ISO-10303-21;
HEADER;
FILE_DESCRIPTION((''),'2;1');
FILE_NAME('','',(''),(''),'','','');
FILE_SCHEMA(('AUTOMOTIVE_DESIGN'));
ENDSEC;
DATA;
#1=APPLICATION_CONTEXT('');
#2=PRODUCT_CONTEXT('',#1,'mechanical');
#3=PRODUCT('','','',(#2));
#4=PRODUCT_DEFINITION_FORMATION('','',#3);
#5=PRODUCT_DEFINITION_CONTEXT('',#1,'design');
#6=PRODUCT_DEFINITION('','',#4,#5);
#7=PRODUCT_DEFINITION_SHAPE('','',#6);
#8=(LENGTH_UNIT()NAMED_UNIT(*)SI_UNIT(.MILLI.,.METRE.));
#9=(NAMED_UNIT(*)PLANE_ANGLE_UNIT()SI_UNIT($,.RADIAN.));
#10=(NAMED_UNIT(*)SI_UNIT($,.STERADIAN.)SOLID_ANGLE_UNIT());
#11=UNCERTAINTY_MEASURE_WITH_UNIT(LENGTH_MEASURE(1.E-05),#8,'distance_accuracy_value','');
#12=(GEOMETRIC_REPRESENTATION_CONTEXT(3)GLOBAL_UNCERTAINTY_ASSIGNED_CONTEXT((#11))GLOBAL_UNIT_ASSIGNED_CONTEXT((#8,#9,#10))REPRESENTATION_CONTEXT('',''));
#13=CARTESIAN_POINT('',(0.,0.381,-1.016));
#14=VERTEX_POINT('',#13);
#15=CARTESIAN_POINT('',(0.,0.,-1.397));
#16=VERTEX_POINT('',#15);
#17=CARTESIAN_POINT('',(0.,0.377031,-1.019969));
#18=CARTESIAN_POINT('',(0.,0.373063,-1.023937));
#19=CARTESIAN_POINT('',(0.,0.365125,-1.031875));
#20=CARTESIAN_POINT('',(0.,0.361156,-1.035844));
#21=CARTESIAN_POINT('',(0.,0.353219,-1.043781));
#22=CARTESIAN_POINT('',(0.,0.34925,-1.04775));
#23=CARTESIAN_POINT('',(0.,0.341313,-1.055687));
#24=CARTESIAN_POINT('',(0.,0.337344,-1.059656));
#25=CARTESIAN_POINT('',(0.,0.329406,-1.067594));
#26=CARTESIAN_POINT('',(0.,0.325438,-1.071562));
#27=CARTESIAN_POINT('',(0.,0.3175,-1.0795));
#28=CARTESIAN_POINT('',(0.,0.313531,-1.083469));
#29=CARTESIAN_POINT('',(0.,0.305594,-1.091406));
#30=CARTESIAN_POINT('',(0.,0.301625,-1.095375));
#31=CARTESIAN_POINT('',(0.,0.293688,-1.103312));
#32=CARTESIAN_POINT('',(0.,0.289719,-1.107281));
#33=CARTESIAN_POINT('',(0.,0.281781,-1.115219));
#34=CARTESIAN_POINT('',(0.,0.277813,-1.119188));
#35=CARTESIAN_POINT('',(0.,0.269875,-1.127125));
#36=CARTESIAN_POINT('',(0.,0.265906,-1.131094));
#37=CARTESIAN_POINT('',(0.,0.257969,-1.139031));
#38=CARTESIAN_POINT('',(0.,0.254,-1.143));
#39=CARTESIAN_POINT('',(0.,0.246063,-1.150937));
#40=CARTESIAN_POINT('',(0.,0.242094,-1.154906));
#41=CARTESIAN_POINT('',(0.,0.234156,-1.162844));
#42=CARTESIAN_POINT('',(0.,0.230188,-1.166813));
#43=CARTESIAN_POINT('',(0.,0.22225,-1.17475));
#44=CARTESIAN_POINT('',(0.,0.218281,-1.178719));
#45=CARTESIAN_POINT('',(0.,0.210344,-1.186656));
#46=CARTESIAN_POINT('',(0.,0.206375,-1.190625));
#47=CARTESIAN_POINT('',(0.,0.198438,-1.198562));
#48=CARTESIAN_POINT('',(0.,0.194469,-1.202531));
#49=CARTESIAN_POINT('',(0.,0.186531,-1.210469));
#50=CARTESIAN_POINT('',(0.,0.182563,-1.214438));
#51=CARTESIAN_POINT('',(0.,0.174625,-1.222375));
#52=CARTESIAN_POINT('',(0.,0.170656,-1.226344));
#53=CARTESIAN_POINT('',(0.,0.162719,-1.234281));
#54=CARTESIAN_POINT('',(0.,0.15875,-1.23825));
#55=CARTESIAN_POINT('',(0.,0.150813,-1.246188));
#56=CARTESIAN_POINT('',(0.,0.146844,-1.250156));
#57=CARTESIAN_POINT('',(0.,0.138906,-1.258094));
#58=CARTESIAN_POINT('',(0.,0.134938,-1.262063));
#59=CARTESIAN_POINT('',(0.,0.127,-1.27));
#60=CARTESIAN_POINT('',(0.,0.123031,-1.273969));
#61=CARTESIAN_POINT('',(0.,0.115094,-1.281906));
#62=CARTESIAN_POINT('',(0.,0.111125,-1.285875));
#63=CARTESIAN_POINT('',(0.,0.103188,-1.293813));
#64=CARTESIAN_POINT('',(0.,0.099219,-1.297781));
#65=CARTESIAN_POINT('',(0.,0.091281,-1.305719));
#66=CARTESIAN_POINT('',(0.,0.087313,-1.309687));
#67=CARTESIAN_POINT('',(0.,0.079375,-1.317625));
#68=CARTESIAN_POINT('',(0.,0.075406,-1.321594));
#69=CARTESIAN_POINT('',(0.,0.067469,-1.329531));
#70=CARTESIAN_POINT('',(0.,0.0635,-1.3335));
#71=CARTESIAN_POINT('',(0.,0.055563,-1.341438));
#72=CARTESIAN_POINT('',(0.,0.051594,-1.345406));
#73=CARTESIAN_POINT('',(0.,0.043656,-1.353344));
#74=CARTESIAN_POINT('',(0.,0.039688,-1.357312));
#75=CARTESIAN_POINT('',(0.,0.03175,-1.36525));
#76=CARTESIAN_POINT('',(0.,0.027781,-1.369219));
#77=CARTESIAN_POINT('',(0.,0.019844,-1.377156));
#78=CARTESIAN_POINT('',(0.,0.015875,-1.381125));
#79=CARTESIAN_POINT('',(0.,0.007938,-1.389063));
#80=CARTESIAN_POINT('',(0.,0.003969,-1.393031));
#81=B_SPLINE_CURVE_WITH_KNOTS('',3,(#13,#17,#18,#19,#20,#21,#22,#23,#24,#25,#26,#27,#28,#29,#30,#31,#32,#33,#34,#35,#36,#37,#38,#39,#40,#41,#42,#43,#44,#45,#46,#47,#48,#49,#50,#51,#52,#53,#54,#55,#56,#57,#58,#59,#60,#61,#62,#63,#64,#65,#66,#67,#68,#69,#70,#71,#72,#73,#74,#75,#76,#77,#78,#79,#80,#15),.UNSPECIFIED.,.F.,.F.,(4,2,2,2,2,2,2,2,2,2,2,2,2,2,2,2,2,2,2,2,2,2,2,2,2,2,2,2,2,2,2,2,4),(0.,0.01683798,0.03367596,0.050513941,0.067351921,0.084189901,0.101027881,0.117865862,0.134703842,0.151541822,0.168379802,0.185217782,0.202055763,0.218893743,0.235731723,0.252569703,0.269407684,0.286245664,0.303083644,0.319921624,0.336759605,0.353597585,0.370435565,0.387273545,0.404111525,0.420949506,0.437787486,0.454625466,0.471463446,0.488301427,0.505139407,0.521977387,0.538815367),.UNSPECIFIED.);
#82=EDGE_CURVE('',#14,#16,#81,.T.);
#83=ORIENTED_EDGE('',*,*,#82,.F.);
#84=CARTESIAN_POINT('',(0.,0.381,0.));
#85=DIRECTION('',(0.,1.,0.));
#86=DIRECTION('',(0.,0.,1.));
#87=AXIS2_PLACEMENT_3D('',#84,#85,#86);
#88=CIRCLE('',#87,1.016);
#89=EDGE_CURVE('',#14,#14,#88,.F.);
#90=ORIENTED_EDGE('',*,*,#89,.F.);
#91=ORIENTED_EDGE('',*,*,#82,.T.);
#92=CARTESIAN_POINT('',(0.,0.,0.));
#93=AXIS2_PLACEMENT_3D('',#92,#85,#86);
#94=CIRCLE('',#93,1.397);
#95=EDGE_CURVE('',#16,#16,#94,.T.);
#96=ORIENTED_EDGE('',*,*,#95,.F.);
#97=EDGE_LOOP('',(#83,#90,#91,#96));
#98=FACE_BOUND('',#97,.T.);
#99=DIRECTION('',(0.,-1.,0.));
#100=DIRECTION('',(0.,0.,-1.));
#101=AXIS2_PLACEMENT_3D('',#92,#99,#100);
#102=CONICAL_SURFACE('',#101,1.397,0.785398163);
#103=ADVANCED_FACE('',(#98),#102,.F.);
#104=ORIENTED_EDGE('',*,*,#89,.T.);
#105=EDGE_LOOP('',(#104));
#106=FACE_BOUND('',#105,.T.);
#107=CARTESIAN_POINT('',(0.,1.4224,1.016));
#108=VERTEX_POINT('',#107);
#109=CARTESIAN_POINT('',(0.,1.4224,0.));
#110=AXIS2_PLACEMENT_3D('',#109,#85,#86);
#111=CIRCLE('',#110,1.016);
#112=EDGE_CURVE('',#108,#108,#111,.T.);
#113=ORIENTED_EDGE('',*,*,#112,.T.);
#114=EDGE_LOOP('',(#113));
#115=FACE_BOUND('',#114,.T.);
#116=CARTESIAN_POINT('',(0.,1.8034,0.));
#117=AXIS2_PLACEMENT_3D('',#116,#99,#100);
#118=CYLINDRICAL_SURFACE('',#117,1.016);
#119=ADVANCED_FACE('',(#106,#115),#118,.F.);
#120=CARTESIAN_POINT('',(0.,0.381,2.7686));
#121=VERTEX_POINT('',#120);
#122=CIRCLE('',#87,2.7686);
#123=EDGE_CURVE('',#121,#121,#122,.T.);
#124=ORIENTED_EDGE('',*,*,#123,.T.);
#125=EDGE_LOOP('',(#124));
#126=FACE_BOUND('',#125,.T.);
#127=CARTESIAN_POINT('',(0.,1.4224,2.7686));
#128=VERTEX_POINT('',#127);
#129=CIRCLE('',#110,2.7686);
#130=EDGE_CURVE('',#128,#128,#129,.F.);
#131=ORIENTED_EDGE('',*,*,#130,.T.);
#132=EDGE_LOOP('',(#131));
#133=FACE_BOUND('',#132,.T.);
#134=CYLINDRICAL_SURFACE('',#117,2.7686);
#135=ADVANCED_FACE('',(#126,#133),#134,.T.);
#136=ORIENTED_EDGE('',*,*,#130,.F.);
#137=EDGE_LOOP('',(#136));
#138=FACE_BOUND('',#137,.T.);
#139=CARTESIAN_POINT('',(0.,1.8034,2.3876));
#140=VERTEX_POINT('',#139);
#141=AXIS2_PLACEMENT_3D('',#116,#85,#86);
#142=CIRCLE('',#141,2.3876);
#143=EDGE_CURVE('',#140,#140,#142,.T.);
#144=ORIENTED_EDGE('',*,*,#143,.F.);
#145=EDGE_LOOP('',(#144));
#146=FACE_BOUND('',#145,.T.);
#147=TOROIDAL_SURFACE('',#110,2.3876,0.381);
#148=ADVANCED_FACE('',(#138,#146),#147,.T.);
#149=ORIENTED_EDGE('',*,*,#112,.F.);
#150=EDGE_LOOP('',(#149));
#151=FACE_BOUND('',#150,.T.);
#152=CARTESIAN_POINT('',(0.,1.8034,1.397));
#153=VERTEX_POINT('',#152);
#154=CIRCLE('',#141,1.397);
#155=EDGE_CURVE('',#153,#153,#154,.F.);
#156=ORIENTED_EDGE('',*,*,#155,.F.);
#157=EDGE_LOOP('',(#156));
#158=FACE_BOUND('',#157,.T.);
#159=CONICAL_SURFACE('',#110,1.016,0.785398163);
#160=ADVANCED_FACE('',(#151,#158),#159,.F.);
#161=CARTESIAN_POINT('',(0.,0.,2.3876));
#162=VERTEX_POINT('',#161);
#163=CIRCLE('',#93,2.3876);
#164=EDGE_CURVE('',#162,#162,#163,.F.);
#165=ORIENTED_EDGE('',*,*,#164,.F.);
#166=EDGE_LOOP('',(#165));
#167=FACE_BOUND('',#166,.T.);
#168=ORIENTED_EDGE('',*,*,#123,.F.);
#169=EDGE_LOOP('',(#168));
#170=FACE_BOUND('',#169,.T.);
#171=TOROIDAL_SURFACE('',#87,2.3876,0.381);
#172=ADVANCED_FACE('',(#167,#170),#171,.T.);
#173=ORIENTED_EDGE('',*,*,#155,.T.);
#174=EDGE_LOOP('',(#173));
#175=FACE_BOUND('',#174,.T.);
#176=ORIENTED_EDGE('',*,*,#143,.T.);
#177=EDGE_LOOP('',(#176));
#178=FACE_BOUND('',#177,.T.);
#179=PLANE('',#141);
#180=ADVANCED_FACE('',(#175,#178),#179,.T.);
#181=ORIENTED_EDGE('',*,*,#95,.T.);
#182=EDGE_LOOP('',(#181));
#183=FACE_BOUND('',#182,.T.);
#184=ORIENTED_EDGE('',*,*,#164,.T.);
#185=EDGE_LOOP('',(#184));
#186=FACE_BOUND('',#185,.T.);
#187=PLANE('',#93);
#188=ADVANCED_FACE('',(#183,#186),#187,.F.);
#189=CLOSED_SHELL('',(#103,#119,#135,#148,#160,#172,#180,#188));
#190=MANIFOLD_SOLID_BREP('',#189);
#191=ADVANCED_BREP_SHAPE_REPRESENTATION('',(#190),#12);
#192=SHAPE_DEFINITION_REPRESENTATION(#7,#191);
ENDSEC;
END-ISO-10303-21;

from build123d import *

# Parameters (mm, degrees)
SKETCH1_R           = 2.7686
SKETCH1_R_2         = 1.016
BOSS_EXTRUDE1_DEPTH = 1.8034
FILLET1_R           = 0.381
CHAMFER1_SIZE       = 0.381


with BuildPart() as part:
    # Sketch1 → Boss-Extrude1 (new body)
    with BuildSketch(Plane(origin=(0, 0, 0), x_dir=(1, 0, 0), z_dir=(0, 1, 0))):
        with Locations(Location((0, 0, 0), (0, 0, 270))):
            Circle(SKETCH1_R)
        with Locations(Location((0, 0, 0), (0, 0, 270))):
            Circle(SKETCH1_R_2, mode=Mode.SUBTRACT)
    extrude(amount=BOSS_EXTRUDE1_DEPTH)

    # Fillet1
    fillet1_edges = [part.edges().sort_by_distance(p)[0] for p in [
        (0, 0, -2.7686),
        (0, 1.8034, -2.7686),
    ]]
    fillet(fillet1_edges, radius=FILLET1_R)

    # Chamfer1
    chamfer1_edges = [part.edges().sort_by_distance(p)[0] for p in [
        (0, 0, -1.016),
        (0, 1.8034, -1.016),
    ]]
    chamfer(chamfer1_edges, length=CHAMFER1_SIZE)


solid = part.part
